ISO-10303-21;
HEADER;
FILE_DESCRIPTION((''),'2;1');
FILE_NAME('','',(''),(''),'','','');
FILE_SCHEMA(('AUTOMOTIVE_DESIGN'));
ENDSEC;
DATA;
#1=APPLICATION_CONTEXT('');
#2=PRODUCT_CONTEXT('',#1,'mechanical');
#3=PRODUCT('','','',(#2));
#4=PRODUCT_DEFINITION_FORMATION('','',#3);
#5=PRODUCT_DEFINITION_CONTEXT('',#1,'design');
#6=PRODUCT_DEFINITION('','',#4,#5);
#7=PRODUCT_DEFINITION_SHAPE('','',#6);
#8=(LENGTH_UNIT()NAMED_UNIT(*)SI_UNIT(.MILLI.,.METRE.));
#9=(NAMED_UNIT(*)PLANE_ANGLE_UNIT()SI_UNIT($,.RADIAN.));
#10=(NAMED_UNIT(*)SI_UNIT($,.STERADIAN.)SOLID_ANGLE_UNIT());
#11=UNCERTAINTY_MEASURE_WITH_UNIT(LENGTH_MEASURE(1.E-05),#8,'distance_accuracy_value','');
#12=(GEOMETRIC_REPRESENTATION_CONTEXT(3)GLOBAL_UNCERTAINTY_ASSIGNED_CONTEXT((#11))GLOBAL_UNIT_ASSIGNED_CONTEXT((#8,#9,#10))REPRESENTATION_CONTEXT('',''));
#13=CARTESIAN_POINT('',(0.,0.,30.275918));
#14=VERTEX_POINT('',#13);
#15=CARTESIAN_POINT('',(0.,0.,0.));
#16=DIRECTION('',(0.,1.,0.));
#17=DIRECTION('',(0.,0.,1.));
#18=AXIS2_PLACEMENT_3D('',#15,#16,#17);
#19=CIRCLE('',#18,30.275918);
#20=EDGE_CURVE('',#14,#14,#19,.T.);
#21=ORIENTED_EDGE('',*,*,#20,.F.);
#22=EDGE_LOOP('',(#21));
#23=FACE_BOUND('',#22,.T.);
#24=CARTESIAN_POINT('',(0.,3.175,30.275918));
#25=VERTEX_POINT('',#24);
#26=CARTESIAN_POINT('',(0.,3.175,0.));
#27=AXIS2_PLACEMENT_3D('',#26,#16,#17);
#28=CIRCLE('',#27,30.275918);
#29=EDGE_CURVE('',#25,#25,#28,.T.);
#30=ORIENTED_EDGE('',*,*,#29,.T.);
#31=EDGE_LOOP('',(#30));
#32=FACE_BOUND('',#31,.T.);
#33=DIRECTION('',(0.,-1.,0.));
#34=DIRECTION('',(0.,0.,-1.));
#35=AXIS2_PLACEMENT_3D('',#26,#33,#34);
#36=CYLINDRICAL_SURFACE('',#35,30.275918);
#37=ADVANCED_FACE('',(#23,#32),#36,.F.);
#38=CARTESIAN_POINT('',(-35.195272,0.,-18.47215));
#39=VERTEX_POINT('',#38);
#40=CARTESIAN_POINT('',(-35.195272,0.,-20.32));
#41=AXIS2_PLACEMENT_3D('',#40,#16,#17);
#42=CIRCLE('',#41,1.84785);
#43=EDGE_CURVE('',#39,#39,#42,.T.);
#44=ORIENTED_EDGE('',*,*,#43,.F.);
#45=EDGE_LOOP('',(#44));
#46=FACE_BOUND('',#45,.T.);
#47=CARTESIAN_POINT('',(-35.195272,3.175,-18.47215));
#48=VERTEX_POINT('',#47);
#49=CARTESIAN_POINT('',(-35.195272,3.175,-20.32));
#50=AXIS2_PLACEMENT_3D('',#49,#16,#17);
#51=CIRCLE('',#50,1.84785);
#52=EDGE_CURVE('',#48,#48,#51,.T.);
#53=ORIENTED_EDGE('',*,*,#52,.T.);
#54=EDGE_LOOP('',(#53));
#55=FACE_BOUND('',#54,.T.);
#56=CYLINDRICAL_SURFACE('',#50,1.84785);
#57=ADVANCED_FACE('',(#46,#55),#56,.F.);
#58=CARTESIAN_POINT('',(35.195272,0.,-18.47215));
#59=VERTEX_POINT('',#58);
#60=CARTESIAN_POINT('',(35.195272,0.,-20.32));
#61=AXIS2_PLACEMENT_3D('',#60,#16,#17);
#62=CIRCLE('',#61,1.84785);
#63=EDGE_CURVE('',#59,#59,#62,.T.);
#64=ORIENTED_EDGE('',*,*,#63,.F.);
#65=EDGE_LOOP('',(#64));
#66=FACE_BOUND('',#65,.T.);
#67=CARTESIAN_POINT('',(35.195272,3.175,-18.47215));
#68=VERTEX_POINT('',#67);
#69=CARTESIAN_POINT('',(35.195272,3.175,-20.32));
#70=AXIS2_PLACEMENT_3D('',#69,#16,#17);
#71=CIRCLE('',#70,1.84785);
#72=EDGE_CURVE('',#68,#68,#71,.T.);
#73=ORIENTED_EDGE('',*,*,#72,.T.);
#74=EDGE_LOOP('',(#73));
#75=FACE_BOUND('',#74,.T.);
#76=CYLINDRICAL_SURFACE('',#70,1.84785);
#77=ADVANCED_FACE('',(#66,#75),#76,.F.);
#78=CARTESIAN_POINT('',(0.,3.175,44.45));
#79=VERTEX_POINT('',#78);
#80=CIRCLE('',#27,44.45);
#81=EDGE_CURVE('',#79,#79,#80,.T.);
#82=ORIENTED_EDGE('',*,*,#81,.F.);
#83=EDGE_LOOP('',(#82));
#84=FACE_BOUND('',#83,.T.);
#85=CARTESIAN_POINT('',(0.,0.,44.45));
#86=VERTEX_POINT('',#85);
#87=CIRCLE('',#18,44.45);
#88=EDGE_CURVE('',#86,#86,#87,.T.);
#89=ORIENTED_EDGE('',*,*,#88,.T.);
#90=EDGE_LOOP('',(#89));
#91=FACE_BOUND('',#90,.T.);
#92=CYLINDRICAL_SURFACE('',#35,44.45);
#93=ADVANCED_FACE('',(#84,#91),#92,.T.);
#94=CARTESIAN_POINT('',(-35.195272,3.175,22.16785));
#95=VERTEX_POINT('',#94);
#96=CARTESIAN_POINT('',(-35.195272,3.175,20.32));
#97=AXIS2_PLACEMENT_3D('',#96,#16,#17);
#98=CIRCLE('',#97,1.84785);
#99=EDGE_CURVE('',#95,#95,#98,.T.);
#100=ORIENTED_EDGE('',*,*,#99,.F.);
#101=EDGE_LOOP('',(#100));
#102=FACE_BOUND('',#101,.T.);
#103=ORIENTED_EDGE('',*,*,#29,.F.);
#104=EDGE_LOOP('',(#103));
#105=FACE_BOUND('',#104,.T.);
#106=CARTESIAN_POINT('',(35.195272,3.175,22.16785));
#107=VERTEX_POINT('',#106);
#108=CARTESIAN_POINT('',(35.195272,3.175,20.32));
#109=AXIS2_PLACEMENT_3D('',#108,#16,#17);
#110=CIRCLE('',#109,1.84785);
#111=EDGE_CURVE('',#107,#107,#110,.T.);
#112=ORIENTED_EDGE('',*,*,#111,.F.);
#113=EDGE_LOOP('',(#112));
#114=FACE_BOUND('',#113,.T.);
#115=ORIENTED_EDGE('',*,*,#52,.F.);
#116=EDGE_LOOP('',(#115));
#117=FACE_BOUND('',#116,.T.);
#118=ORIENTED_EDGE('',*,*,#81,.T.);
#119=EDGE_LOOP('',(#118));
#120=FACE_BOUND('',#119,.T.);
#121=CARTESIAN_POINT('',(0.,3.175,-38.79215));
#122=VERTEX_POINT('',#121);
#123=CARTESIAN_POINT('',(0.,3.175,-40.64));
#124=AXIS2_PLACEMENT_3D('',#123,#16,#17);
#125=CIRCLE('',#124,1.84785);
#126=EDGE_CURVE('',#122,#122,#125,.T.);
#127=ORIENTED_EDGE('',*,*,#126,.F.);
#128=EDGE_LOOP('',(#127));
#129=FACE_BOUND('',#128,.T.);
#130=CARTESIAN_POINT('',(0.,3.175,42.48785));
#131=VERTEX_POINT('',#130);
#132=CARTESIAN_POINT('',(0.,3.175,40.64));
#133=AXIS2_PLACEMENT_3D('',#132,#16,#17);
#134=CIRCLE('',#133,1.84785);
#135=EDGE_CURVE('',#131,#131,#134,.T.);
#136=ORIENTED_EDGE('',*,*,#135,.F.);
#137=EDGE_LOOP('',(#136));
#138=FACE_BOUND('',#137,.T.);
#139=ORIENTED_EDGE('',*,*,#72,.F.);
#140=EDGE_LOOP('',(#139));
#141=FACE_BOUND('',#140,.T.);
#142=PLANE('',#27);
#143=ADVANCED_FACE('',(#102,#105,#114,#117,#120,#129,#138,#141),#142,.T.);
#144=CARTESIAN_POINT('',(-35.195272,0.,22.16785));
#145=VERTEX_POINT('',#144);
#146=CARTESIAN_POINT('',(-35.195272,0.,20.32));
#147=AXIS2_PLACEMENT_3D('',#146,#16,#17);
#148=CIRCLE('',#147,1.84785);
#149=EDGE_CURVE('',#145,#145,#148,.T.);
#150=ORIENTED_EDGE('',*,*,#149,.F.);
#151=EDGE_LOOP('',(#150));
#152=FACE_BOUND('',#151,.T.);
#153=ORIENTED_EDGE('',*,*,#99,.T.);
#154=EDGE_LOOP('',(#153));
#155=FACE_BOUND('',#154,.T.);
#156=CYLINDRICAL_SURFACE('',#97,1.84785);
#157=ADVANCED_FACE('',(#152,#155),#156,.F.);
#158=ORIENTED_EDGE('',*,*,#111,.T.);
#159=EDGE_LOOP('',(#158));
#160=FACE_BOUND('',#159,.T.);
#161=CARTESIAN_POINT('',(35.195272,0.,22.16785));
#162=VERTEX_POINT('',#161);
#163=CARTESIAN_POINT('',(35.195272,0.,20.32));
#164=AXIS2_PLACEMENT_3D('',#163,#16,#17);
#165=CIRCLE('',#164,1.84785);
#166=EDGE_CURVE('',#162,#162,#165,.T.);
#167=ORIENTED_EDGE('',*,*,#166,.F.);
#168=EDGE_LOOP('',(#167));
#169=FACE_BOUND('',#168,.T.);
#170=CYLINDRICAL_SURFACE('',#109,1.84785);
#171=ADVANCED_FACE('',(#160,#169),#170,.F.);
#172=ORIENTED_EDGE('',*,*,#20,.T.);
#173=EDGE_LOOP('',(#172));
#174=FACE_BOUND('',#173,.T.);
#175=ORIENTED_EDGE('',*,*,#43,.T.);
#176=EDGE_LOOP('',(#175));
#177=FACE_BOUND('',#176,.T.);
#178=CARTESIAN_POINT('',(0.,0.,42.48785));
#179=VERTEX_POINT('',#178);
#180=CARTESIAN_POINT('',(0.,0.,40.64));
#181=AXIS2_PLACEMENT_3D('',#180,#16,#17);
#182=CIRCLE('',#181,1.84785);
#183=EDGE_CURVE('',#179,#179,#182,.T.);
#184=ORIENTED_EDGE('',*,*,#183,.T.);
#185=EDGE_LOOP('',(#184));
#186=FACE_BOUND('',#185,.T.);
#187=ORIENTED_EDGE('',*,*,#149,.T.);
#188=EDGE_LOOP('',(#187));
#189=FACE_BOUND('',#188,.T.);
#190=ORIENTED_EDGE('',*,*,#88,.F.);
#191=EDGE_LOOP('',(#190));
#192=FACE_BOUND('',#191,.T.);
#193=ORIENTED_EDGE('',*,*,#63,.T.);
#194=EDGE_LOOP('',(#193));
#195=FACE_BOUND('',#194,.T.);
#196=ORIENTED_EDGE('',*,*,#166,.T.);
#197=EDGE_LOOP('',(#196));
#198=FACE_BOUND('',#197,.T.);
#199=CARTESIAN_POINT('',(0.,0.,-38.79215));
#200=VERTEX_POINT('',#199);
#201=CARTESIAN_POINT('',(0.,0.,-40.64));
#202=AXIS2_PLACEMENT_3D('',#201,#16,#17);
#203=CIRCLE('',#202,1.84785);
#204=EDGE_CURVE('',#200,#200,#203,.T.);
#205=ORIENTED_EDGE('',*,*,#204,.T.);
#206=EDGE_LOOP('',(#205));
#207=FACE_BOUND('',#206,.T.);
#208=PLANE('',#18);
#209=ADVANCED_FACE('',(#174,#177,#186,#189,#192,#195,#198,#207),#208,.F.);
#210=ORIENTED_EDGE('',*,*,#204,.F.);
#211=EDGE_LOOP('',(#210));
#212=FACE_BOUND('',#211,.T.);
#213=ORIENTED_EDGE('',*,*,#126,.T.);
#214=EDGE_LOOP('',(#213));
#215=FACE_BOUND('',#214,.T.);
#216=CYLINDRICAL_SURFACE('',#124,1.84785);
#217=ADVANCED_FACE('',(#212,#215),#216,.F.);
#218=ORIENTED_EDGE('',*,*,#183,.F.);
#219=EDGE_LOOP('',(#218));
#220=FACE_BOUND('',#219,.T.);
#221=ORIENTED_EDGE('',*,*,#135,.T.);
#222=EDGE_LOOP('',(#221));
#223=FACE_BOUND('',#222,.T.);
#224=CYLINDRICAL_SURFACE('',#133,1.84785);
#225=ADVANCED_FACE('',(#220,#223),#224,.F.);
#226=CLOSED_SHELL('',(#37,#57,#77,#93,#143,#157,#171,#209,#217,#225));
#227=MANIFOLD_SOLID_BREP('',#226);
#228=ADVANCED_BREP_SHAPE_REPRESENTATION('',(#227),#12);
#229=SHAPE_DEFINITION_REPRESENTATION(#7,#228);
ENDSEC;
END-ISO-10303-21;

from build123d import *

# Parameters (mm, degrees)
SKETCH1_R                 = 44.45
SKETCH1_R_2               = 30.275917709
BOSS_EXTRUDE1_DEPTH       = 3.175
F_6_CLEARANCE_HOLE1_D     = 3.6957
F_6_CLEARANCE_HOLE1_DEPTH = 3.176
CIRPATTERN1_COUNT         = 6


with BuildPart() as part:
    # Sketch1 → Boss-Extrude1 (new body)
    with BuildSketch(Plane(origin=(0, 0, 0), x_dir=(1, 0, 0), z_dir=(0, 1, 0))):
        Circle(SKETCH1_R)
        Circle(SKETCH1_R_2, mode=Mode.SUBTRACT)
    extrude(amount=BOSS_EXTRUDE1_DEPTH)

    # #6 Clearance Hole1
    with Locations(Plane(origin=(0, 3.175, 0), x_dir=(1, 0, 0), z_dir=(0, 1, 0))):
        with Locations((0, 40.64)):
            f_6_clearance_hole1 = Hole(F_6_CLEARANCE_HOLE1_D / 2, depth=F_6_CLEARANCE_HOLE1_DEPTH)

    # CirPattern1: #6 Clearance Hole1 ×6 about axis
    cirpattern1_axis = Axis((0, 0, 0), (0, 1, 0))
    for i in range(1, CIRPATTERN1_COUNT):
        add(f_6_clearance_hole1.rotate(cirpattern1_axis, i * 360 / CIRPATTERN1_COUNT), mode=Mode.SUBTRACT)


solid = part.part
